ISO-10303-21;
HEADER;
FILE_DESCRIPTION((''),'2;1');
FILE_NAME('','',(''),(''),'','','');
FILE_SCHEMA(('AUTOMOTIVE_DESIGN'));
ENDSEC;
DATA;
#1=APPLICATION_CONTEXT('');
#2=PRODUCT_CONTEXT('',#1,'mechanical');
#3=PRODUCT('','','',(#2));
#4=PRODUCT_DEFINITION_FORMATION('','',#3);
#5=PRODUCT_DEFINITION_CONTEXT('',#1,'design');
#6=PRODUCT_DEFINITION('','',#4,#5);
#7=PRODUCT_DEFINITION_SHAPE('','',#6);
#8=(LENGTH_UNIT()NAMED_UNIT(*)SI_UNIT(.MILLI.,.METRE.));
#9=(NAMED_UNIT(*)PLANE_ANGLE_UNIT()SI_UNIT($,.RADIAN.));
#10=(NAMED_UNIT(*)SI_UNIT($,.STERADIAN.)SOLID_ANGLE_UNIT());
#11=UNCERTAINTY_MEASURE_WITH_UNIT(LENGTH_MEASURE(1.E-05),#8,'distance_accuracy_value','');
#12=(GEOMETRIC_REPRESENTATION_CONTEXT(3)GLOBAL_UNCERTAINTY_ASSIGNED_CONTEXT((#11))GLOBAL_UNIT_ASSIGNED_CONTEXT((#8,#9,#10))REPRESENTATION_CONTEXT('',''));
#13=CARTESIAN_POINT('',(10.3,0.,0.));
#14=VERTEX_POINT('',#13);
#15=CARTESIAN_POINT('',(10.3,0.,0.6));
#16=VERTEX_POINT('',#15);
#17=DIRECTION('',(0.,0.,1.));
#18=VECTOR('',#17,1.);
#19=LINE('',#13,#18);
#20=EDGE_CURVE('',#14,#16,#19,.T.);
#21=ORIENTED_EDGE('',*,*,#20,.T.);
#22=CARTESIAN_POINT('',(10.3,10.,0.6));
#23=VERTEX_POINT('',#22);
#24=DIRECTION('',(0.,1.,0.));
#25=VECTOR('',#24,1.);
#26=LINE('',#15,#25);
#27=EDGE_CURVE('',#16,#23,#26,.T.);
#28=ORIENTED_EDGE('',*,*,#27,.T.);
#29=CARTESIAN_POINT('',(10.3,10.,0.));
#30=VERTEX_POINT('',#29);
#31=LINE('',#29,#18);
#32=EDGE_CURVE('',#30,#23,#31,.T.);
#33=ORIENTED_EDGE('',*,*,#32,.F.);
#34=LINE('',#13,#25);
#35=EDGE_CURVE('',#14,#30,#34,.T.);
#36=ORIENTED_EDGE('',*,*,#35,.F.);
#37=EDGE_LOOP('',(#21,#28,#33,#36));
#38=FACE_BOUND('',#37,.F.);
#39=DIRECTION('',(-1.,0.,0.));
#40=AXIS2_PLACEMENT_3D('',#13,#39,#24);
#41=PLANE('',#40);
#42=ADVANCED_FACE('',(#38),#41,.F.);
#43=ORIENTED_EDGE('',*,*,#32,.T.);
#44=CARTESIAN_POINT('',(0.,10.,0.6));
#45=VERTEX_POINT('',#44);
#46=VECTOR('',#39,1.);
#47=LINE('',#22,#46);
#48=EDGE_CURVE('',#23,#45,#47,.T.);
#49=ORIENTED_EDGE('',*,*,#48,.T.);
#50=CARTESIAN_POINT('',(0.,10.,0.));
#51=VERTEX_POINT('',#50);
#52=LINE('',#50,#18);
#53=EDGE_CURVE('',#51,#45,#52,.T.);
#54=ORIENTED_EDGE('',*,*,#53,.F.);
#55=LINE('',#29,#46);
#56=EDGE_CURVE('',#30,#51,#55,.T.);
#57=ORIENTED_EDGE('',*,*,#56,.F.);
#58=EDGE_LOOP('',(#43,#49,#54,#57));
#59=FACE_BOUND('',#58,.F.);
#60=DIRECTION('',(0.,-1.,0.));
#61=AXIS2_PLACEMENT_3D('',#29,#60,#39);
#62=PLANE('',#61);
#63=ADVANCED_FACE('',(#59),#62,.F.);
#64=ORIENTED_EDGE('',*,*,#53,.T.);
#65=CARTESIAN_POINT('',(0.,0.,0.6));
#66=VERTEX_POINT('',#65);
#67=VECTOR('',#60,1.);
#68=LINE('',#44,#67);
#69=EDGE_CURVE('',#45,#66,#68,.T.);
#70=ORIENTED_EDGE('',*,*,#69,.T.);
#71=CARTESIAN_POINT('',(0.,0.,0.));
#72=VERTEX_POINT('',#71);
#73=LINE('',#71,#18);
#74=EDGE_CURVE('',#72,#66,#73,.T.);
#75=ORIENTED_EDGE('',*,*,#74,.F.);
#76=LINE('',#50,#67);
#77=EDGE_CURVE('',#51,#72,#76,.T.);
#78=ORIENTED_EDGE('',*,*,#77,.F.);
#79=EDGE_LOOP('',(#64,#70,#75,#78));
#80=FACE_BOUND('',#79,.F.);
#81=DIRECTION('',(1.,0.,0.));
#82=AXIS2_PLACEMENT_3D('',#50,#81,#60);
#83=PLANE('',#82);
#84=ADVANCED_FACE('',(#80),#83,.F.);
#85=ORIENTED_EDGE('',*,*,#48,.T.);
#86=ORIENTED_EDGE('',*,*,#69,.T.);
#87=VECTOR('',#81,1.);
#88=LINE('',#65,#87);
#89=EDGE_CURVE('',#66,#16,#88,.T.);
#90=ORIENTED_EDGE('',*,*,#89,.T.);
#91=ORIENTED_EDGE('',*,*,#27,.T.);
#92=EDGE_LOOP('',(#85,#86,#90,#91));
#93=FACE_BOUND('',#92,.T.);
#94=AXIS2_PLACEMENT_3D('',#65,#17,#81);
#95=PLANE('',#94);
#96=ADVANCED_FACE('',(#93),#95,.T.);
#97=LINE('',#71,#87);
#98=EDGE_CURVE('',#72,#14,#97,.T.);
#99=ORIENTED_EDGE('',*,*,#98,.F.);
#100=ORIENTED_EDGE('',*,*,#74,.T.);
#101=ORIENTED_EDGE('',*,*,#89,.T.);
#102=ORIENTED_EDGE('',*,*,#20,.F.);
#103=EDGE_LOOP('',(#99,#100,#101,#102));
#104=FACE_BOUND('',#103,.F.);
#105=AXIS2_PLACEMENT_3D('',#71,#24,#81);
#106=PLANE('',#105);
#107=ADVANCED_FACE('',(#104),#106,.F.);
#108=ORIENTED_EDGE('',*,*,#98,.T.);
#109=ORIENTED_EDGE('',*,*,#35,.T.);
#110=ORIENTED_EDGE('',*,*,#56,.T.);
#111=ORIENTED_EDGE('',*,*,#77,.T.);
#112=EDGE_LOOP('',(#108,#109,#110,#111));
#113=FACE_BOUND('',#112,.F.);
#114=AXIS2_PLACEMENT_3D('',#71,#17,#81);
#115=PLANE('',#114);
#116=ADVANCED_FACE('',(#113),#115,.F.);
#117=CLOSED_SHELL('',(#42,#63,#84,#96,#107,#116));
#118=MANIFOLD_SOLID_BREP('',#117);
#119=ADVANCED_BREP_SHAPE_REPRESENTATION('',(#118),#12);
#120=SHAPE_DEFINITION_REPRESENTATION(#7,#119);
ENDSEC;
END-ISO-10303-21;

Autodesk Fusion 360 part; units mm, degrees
sketch "Sketch1" plane through (0, 0, 0) normal (0, 0, 1) x (1, 0, 0)
  line L0 (0, 0) -> (10.3, 0)
  line L1 (10.3, 0) -> (10.3, 10)
  line L2 (10.3, 10) -> (0, 10)
  line L3 (0, 10) -> (0, 0)
  dimension "d1" = 10
  dimension "d2" = 10.3
extrude "Extrude1" add sketch "Sketch1" along normal blind 0.6
